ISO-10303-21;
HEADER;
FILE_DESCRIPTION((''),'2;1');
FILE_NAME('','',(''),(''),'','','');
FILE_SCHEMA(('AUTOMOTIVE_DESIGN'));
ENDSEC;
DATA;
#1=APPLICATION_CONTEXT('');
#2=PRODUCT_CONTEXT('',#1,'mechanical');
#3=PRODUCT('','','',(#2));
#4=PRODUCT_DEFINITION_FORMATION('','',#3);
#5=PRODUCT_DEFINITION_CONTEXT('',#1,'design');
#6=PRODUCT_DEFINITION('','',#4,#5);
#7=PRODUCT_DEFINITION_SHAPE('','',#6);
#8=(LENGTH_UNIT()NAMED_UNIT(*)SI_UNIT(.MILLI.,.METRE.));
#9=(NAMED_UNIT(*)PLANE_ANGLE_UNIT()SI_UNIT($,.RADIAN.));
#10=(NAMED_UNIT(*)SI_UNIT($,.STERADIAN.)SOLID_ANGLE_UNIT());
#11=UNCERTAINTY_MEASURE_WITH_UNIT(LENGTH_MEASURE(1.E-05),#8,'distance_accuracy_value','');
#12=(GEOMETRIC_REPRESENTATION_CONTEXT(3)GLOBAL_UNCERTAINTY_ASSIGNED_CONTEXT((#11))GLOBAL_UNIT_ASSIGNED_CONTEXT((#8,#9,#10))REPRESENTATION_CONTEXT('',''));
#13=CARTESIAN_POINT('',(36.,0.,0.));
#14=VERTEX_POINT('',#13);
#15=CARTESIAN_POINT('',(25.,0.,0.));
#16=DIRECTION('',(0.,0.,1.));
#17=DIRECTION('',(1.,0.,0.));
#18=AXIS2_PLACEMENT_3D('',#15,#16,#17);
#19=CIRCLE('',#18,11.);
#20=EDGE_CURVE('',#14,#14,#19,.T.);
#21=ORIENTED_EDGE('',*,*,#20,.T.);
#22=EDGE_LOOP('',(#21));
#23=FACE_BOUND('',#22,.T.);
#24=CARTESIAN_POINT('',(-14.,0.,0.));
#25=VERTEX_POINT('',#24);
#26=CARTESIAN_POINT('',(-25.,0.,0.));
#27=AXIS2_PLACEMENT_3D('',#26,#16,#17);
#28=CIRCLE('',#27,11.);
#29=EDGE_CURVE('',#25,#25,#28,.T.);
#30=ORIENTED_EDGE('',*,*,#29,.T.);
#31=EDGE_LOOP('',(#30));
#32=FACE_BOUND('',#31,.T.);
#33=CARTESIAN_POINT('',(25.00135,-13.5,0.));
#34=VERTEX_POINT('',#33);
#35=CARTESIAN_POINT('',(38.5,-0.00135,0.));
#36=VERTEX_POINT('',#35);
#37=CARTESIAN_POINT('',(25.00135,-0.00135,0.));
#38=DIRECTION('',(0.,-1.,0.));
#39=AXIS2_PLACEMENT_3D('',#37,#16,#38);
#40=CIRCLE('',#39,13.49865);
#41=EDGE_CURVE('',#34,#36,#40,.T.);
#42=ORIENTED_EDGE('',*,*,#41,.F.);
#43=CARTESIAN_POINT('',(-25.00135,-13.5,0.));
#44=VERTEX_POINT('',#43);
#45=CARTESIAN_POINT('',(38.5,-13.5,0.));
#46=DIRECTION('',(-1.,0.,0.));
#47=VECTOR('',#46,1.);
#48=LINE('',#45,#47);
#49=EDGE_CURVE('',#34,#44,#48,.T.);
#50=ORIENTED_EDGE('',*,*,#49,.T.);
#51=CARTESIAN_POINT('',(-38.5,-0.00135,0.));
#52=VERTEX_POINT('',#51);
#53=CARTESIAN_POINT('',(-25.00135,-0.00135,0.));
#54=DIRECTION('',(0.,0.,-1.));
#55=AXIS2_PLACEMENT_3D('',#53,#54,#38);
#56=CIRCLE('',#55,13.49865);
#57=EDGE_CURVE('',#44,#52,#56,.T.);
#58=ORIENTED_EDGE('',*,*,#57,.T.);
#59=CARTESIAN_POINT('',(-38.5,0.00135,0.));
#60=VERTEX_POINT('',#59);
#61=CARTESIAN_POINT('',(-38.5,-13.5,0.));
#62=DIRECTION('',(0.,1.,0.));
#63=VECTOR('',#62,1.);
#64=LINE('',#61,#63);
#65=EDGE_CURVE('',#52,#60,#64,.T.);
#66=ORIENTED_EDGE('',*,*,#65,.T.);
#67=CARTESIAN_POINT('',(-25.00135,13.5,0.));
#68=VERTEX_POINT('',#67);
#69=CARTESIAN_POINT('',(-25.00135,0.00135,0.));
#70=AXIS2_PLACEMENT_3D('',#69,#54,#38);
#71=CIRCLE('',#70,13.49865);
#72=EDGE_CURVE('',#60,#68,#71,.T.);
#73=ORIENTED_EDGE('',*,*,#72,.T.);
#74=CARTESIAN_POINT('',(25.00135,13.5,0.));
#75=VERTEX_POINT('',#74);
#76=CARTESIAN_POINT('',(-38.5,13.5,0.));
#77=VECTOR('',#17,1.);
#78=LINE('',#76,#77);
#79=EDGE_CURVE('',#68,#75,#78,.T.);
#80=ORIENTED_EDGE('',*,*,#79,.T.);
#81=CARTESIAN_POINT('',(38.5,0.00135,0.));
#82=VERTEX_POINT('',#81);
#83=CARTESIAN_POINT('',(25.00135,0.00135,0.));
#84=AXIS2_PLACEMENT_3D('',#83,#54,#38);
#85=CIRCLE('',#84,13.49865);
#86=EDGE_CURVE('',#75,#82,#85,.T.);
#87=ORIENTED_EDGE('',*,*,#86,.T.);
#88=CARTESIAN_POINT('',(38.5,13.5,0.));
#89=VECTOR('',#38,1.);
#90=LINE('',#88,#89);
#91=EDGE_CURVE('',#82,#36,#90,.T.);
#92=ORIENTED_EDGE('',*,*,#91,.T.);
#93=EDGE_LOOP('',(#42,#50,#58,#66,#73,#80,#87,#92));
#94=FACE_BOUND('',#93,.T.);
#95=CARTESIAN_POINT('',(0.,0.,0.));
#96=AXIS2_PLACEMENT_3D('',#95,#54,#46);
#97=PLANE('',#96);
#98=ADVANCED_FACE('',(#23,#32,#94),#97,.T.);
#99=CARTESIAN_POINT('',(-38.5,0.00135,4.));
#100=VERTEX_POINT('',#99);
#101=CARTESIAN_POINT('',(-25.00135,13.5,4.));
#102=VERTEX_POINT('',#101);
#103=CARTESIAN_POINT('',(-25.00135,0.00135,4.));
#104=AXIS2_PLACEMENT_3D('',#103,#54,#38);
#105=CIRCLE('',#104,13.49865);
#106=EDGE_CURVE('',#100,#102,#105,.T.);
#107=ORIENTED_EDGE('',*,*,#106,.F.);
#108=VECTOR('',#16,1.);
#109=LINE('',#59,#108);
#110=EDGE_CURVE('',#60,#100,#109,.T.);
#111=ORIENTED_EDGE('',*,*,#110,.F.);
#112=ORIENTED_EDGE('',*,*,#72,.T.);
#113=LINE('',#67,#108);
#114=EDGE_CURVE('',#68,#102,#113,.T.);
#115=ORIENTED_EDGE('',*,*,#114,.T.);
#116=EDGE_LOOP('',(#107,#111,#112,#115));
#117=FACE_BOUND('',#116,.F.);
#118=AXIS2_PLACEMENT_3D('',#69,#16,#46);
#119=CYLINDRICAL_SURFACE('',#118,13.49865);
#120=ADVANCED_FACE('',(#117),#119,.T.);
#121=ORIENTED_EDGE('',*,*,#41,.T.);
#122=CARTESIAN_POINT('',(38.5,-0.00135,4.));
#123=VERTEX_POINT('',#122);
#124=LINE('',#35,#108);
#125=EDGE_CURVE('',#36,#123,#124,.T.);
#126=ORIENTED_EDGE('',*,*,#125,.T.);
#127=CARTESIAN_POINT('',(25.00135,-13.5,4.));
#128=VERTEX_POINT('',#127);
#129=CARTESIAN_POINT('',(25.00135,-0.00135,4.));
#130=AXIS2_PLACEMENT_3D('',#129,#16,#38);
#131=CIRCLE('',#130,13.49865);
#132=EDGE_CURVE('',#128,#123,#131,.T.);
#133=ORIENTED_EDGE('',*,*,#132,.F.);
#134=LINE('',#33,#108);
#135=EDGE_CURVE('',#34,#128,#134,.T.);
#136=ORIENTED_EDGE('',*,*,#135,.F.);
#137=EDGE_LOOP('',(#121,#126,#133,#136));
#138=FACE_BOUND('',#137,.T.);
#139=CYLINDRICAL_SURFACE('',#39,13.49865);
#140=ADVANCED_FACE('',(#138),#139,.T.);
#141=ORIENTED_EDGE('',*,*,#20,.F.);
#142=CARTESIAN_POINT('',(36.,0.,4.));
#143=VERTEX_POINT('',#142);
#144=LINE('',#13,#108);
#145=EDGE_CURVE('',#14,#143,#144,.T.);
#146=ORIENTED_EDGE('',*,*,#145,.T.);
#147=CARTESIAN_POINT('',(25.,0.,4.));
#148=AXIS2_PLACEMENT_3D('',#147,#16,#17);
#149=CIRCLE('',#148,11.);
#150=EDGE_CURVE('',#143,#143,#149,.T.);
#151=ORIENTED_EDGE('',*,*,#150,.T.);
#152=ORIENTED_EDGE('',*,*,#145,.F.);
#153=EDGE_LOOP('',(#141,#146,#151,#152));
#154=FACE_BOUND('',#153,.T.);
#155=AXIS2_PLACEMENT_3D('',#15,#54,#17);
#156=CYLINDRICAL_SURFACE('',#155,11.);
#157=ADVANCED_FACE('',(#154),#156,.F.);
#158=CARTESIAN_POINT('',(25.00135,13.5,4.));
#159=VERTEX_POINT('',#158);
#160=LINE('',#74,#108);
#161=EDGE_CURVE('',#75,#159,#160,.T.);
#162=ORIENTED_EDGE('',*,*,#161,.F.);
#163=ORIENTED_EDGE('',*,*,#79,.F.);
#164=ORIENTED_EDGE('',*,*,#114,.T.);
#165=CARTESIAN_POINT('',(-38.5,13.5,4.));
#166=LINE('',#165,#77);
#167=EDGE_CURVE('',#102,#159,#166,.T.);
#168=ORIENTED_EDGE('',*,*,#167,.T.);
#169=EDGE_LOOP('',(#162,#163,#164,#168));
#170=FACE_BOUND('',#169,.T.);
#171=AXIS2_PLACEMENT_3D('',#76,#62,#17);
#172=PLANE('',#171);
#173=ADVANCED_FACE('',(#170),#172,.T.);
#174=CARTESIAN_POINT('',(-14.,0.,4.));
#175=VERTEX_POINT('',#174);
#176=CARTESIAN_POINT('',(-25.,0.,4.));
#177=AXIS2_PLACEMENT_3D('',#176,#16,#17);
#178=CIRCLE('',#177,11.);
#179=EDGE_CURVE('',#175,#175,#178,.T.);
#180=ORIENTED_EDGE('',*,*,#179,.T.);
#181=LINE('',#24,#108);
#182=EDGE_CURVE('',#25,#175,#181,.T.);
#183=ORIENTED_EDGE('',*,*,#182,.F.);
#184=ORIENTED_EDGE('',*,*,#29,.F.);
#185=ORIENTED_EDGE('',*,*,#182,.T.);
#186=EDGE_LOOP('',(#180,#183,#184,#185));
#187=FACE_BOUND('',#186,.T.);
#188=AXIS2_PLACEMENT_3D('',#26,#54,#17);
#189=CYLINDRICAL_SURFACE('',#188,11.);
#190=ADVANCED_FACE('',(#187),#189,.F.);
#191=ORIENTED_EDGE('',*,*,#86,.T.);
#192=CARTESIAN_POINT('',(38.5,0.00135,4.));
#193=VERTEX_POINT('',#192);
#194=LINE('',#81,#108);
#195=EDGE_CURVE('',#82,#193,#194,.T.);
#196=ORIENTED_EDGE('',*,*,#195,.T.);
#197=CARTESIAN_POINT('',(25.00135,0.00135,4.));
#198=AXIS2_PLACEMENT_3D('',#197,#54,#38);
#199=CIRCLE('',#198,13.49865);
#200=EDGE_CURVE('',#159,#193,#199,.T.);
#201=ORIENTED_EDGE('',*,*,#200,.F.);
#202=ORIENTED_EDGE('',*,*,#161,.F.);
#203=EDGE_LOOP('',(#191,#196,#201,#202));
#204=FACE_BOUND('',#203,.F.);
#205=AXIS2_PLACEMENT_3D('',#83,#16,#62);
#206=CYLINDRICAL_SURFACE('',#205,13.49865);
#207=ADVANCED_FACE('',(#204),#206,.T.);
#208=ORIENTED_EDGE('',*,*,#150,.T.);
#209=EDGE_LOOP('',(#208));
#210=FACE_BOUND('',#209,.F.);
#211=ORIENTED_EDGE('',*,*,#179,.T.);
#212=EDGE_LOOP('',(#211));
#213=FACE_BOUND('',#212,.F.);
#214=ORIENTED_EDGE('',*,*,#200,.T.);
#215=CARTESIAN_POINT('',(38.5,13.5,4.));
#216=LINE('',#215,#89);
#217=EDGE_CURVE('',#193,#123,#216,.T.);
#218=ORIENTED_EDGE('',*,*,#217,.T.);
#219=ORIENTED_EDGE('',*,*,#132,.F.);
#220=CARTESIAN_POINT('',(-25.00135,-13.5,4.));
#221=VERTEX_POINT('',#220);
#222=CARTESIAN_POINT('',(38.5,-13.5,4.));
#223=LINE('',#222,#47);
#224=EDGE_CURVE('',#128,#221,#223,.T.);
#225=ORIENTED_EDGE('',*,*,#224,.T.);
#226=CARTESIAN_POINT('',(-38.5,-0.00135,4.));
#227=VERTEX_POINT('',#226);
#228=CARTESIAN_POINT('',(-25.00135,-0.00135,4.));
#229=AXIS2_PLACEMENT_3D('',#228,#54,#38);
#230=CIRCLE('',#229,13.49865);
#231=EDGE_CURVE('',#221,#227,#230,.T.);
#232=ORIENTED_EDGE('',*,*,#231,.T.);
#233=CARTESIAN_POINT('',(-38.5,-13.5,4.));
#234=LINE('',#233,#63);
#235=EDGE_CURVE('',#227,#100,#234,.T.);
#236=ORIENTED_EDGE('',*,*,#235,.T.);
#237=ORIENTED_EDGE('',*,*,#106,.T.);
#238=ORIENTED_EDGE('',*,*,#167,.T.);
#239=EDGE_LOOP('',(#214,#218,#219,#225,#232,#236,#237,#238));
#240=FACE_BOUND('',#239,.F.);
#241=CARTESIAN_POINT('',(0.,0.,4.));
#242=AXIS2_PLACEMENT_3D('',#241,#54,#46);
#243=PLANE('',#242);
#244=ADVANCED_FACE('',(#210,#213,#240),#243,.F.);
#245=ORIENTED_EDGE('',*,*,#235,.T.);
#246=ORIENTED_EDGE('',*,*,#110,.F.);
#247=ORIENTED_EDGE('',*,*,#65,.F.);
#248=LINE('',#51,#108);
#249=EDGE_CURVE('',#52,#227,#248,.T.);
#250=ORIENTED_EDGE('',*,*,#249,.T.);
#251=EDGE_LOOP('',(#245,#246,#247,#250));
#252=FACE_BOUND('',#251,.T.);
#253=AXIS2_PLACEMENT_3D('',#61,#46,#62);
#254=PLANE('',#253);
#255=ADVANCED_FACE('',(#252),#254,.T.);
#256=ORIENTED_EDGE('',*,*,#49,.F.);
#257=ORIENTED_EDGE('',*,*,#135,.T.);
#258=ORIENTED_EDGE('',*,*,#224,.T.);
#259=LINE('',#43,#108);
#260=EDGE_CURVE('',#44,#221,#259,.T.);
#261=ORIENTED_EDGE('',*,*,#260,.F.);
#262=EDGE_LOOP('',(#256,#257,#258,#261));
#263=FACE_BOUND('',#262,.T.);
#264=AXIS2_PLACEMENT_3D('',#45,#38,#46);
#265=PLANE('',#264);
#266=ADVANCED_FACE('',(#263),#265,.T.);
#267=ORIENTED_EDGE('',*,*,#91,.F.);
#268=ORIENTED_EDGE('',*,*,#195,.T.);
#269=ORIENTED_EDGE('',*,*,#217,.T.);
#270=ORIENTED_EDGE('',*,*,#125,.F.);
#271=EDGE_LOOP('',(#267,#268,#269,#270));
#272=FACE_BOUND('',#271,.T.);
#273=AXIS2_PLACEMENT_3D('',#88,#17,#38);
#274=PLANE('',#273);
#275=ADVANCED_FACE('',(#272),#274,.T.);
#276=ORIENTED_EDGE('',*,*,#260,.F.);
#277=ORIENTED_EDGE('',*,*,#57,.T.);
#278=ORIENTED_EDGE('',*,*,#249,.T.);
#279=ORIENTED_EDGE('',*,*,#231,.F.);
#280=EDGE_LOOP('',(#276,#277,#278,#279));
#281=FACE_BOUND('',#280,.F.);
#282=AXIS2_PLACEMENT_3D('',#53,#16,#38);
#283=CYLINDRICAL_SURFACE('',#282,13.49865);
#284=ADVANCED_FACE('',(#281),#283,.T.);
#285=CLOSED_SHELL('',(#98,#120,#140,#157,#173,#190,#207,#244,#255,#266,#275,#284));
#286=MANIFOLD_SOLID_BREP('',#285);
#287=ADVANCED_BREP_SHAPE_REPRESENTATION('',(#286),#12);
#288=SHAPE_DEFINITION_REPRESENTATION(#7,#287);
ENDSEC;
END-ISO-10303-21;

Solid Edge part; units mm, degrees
sketch "Sketch1" plane through (0, 0, 0) normal (0, 0, 1) x (1, 0, 0)
  circle A0 centre (-25, 0) radius 11
  line L0 (38.5, -13.5) -> (-38.5, -13.5)
  line L1 (-38.5, -13.5) -> (-38.5, 13.5)
  line L2 (-38.5, 13.5) -> (38.5, 13.5)
  line L3 (38.5, 13.5) -> (38.5, -13.5)
  circle A1 centre (25, 0) radius 11
  dimension "D1" = 77
  dimension "D2" = 27
  dimension "D3" = 22
  dimension "D4" = 50
  dimension "D5" = 25
extrude "Protrusion1" add sketch "Sketch1" along normal blind 4
fillet "Round_1" radius 13.5 4 edges at (-38.5, -13.5, 2) (-38.5, 13.5, 2) (38.5, 13.5, 2) (38.5, -13.5, 2)
